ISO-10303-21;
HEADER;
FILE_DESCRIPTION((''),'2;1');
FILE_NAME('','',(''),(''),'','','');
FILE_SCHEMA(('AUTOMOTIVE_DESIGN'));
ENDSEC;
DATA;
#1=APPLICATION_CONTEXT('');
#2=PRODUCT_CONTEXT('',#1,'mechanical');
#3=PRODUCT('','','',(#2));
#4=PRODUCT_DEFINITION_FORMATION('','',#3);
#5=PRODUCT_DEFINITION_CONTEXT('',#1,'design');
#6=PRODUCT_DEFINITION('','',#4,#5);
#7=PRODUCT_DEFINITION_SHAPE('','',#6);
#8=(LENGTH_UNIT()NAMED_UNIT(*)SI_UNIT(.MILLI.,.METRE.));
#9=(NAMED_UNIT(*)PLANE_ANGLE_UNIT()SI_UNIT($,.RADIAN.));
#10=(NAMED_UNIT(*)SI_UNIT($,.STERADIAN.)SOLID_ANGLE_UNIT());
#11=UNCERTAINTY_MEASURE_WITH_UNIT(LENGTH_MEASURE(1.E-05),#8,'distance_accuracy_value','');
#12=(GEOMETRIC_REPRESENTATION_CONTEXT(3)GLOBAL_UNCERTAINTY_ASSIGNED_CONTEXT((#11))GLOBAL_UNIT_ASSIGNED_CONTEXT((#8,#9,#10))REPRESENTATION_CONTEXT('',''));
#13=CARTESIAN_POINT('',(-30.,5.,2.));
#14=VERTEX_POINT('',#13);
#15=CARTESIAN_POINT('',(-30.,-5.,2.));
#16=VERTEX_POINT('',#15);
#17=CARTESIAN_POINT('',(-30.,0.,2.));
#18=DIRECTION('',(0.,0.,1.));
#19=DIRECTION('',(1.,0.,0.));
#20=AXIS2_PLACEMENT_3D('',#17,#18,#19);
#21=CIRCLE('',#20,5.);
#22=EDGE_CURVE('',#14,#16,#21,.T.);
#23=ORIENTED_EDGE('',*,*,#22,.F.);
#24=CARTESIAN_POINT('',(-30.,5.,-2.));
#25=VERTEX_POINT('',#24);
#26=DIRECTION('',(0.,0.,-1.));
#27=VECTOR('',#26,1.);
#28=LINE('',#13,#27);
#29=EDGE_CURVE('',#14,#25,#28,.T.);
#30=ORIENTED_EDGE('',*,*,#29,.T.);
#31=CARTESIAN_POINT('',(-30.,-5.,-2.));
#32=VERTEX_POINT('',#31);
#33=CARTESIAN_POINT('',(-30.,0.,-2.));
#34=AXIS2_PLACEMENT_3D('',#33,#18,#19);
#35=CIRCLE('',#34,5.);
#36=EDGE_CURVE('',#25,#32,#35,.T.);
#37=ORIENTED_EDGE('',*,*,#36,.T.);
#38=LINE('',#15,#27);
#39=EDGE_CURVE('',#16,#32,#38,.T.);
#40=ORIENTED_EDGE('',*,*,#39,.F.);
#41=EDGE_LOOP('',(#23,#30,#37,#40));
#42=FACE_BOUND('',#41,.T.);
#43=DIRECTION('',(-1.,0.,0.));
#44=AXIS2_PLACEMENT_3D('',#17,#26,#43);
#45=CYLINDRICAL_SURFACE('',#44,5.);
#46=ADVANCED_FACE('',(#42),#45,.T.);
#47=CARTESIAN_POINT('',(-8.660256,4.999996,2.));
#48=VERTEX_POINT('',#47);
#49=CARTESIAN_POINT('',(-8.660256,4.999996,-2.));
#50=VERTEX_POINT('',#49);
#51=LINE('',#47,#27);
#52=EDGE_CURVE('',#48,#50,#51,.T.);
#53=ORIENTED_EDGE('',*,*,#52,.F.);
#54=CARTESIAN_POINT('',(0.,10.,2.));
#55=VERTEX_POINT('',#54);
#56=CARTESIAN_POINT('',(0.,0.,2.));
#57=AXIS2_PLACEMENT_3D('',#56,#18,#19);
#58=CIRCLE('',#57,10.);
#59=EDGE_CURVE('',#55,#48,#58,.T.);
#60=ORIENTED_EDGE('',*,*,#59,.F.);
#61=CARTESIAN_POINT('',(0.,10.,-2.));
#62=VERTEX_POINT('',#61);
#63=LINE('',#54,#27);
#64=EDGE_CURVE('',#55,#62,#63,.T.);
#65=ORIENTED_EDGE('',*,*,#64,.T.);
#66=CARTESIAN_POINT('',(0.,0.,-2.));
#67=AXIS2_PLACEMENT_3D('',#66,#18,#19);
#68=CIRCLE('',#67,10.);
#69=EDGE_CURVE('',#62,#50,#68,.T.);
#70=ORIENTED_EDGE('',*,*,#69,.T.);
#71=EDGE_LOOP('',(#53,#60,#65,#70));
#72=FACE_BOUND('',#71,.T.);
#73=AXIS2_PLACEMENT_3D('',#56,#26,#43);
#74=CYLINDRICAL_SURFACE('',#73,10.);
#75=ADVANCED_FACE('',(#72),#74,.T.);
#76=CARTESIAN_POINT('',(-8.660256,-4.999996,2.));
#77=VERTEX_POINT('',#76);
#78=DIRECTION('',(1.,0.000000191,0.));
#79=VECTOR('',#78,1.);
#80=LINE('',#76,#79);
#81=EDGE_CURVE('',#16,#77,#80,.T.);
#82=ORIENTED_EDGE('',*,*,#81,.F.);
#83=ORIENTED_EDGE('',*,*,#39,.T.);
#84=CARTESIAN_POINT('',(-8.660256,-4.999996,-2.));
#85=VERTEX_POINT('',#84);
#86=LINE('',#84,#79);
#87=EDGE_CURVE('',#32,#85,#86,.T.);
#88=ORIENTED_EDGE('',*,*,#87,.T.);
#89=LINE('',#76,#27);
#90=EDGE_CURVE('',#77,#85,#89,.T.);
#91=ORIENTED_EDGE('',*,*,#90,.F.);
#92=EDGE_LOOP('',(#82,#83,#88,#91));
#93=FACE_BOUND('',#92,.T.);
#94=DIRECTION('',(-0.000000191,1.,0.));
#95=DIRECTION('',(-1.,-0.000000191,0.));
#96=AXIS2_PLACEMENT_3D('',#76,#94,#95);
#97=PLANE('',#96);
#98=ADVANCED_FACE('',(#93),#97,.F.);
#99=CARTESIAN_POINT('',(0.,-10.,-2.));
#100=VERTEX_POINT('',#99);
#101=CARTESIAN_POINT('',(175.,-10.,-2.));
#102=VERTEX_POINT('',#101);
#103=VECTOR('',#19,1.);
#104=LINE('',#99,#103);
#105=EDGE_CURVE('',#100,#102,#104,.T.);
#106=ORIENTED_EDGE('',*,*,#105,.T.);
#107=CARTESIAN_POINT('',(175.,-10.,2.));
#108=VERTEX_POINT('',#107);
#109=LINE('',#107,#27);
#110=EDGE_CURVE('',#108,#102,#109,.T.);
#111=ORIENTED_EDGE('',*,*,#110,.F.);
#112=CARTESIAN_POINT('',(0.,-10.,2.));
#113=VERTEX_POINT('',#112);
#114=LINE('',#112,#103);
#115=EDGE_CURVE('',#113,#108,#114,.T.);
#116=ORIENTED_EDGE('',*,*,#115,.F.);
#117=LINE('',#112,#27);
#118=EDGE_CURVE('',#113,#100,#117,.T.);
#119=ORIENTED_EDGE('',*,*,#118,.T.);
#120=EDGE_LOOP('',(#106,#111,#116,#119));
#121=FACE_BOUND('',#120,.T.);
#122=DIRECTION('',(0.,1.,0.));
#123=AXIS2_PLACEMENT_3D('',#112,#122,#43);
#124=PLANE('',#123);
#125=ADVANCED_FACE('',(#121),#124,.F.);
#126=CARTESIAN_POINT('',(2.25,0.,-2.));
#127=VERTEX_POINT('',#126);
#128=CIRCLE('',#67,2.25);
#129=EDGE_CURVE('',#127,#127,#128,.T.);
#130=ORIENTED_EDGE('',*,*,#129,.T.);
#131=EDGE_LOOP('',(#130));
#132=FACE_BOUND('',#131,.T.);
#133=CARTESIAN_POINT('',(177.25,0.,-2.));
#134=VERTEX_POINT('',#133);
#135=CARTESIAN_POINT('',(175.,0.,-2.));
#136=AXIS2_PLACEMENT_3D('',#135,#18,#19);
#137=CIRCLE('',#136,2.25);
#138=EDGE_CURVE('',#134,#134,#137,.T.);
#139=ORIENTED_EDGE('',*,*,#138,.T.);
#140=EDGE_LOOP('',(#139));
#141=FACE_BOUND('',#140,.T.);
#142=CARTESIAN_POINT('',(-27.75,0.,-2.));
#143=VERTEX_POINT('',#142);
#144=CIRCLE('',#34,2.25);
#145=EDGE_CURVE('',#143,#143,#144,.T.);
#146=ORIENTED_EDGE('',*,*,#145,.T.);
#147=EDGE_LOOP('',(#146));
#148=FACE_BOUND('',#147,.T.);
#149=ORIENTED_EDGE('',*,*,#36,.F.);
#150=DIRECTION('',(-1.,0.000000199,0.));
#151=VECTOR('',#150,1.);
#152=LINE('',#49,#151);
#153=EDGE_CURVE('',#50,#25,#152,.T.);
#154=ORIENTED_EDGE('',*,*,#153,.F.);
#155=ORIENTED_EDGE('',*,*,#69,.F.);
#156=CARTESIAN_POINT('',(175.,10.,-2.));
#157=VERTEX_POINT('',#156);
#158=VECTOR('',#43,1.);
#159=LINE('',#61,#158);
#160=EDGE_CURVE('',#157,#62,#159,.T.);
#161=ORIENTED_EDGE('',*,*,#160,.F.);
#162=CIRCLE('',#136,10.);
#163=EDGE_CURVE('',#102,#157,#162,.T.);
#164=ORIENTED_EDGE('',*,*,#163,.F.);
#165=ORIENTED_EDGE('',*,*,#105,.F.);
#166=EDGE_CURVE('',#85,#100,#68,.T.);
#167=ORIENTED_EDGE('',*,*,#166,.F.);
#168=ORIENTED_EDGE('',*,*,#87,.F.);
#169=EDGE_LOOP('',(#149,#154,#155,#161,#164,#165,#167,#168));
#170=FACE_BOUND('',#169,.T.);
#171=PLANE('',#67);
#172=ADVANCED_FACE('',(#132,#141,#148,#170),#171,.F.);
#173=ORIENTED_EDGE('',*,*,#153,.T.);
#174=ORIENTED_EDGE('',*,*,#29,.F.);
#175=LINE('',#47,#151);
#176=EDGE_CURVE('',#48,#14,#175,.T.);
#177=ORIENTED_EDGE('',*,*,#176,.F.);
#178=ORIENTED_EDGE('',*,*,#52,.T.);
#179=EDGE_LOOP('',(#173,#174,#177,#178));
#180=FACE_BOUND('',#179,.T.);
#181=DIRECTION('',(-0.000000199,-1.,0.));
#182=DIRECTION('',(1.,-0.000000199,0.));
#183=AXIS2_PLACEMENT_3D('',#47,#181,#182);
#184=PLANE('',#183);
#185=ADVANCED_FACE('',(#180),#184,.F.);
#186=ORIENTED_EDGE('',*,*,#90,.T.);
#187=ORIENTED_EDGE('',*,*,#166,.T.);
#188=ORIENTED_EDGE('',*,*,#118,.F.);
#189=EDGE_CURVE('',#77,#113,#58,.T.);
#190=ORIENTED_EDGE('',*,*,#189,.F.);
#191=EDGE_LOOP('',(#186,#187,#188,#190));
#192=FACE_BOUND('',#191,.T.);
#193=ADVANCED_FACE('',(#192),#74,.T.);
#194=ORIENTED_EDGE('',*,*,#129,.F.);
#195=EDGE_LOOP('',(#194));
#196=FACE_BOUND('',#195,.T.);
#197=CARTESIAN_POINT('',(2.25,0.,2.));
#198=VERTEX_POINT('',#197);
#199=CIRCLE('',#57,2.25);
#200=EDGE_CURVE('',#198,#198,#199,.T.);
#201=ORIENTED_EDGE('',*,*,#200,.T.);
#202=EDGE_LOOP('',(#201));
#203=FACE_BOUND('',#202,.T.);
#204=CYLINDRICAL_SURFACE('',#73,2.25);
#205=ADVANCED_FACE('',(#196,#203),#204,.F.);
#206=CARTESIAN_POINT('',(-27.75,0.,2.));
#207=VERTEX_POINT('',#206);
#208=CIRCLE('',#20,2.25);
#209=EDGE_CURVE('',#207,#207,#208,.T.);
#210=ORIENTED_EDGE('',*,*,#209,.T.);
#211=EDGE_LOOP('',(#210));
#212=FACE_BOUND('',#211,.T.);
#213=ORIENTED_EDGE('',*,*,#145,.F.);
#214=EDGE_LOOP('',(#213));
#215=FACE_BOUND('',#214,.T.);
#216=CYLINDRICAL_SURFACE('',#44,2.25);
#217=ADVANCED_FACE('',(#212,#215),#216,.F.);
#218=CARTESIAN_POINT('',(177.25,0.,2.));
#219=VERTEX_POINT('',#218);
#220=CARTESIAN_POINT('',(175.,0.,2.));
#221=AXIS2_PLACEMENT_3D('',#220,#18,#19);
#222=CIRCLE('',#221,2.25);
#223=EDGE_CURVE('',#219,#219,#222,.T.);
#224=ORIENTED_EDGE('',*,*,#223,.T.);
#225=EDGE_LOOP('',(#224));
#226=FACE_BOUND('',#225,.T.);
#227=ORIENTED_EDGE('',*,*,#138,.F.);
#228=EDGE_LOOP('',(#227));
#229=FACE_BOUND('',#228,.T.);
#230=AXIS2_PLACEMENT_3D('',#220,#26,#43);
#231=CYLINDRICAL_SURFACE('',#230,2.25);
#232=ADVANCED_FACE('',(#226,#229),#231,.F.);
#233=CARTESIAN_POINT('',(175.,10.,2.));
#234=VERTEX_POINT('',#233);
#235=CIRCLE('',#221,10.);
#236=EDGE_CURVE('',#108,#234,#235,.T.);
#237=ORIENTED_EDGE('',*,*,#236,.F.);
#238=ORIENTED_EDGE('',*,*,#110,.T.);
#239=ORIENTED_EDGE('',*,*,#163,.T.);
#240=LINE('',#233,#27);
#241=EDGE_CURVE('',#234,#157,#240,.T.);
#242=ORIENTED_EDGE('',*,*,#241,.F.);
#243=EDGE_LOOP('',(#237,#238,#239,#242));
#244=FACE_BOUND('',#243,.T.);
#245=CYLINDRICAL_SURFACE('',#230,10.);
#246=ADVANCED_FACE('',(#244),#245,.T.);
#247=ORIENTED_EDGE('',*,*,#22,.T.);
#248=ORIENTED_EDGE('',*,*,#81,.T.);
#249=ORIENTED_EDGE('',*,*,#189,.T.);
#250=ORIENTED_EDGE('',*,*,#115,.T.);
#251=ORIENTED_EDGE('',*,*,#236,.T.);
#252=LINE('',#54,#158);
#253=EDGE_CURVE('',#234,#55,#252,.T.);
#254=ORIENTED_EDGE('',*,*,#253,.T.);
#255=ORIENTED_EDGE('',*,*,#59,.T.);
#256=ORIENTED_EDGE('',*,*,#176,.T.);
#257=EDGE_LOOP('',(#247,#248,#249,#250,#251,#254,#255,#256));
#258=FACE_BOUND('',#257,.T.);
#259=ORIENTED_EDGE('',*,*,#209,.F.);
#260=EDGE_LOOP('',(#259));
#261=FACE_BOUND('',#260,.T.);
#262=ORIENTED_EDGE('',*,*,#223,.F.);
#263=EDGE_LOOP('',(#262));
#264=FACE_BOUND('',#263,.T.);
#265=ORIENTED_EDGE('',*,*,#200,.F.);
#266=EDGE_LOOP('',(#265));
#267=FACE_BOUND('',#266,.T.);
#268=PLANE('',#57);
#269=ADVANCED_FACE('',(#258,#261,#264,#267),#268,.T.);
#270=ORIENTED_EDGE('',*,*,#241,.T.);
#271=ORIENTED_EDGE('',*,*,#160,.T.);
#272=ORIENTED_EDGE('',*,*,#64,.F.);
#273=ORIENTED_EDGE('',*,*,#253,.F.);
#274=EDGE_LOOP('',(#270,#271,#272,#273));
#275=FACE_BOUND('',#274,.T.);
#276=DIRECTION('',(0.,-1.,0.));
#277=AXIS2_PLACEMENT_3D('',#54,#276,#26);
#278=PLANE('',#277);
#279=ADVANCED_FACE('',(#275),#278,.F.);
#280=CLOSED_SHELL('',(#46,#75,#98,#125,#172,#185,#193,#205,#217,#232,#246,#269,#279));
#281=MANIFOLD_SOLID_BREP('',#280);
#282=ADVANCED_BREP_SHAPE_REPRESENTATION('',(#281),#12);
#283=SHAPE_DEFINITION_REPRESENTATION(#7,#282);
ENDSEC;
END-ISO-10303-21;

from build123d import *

# Parameters (mm, degrees)
SKETCH1_R           = 2.25
BOSS_EXTRUDE1_DEPTH = 2


with BuildPart() as part:
    # Sketch1 → Boss-Extrude1 (new, symmetric)
    with BuildSketch(Plane.XY):
        with BuildLine():
            Line((0, 10), (175, 10))
            ThreePointArc((175, 10), (185, 0), (175, -10))
            Line((175, -10), (0, -10))
            ThreePointArc((0, -10), (-5.00000204, -8.66025286), (-8.660256393, -4.99999592))
            Line((-8.660256393, -4.99999592), (-30, -5))
            ThreePointArc((-30, -5), (-35, 0), (-30, 5))
            Line((-30, 5), (-8.660256485, 4.999995761))
            ThreePointArc((-8.660256485, 4.999995761), (-5.000002119, 8.660252814), (0, 10))
        make_face()
        Circle(SKETCH1_R, mode=Mode.SUBTRACT)
        with Locations((-30, 0)):
            Circle(SKETCH1_R, mode=Mode.SUBTRACT)
        with Locations((175, 0)):
            Circle(SKETCH1_R, mode=Mode.SUBTRACT)
    extrude(amount=BOSS_EXTRUDE1_DEPTH, both=True)


solid = part.part
